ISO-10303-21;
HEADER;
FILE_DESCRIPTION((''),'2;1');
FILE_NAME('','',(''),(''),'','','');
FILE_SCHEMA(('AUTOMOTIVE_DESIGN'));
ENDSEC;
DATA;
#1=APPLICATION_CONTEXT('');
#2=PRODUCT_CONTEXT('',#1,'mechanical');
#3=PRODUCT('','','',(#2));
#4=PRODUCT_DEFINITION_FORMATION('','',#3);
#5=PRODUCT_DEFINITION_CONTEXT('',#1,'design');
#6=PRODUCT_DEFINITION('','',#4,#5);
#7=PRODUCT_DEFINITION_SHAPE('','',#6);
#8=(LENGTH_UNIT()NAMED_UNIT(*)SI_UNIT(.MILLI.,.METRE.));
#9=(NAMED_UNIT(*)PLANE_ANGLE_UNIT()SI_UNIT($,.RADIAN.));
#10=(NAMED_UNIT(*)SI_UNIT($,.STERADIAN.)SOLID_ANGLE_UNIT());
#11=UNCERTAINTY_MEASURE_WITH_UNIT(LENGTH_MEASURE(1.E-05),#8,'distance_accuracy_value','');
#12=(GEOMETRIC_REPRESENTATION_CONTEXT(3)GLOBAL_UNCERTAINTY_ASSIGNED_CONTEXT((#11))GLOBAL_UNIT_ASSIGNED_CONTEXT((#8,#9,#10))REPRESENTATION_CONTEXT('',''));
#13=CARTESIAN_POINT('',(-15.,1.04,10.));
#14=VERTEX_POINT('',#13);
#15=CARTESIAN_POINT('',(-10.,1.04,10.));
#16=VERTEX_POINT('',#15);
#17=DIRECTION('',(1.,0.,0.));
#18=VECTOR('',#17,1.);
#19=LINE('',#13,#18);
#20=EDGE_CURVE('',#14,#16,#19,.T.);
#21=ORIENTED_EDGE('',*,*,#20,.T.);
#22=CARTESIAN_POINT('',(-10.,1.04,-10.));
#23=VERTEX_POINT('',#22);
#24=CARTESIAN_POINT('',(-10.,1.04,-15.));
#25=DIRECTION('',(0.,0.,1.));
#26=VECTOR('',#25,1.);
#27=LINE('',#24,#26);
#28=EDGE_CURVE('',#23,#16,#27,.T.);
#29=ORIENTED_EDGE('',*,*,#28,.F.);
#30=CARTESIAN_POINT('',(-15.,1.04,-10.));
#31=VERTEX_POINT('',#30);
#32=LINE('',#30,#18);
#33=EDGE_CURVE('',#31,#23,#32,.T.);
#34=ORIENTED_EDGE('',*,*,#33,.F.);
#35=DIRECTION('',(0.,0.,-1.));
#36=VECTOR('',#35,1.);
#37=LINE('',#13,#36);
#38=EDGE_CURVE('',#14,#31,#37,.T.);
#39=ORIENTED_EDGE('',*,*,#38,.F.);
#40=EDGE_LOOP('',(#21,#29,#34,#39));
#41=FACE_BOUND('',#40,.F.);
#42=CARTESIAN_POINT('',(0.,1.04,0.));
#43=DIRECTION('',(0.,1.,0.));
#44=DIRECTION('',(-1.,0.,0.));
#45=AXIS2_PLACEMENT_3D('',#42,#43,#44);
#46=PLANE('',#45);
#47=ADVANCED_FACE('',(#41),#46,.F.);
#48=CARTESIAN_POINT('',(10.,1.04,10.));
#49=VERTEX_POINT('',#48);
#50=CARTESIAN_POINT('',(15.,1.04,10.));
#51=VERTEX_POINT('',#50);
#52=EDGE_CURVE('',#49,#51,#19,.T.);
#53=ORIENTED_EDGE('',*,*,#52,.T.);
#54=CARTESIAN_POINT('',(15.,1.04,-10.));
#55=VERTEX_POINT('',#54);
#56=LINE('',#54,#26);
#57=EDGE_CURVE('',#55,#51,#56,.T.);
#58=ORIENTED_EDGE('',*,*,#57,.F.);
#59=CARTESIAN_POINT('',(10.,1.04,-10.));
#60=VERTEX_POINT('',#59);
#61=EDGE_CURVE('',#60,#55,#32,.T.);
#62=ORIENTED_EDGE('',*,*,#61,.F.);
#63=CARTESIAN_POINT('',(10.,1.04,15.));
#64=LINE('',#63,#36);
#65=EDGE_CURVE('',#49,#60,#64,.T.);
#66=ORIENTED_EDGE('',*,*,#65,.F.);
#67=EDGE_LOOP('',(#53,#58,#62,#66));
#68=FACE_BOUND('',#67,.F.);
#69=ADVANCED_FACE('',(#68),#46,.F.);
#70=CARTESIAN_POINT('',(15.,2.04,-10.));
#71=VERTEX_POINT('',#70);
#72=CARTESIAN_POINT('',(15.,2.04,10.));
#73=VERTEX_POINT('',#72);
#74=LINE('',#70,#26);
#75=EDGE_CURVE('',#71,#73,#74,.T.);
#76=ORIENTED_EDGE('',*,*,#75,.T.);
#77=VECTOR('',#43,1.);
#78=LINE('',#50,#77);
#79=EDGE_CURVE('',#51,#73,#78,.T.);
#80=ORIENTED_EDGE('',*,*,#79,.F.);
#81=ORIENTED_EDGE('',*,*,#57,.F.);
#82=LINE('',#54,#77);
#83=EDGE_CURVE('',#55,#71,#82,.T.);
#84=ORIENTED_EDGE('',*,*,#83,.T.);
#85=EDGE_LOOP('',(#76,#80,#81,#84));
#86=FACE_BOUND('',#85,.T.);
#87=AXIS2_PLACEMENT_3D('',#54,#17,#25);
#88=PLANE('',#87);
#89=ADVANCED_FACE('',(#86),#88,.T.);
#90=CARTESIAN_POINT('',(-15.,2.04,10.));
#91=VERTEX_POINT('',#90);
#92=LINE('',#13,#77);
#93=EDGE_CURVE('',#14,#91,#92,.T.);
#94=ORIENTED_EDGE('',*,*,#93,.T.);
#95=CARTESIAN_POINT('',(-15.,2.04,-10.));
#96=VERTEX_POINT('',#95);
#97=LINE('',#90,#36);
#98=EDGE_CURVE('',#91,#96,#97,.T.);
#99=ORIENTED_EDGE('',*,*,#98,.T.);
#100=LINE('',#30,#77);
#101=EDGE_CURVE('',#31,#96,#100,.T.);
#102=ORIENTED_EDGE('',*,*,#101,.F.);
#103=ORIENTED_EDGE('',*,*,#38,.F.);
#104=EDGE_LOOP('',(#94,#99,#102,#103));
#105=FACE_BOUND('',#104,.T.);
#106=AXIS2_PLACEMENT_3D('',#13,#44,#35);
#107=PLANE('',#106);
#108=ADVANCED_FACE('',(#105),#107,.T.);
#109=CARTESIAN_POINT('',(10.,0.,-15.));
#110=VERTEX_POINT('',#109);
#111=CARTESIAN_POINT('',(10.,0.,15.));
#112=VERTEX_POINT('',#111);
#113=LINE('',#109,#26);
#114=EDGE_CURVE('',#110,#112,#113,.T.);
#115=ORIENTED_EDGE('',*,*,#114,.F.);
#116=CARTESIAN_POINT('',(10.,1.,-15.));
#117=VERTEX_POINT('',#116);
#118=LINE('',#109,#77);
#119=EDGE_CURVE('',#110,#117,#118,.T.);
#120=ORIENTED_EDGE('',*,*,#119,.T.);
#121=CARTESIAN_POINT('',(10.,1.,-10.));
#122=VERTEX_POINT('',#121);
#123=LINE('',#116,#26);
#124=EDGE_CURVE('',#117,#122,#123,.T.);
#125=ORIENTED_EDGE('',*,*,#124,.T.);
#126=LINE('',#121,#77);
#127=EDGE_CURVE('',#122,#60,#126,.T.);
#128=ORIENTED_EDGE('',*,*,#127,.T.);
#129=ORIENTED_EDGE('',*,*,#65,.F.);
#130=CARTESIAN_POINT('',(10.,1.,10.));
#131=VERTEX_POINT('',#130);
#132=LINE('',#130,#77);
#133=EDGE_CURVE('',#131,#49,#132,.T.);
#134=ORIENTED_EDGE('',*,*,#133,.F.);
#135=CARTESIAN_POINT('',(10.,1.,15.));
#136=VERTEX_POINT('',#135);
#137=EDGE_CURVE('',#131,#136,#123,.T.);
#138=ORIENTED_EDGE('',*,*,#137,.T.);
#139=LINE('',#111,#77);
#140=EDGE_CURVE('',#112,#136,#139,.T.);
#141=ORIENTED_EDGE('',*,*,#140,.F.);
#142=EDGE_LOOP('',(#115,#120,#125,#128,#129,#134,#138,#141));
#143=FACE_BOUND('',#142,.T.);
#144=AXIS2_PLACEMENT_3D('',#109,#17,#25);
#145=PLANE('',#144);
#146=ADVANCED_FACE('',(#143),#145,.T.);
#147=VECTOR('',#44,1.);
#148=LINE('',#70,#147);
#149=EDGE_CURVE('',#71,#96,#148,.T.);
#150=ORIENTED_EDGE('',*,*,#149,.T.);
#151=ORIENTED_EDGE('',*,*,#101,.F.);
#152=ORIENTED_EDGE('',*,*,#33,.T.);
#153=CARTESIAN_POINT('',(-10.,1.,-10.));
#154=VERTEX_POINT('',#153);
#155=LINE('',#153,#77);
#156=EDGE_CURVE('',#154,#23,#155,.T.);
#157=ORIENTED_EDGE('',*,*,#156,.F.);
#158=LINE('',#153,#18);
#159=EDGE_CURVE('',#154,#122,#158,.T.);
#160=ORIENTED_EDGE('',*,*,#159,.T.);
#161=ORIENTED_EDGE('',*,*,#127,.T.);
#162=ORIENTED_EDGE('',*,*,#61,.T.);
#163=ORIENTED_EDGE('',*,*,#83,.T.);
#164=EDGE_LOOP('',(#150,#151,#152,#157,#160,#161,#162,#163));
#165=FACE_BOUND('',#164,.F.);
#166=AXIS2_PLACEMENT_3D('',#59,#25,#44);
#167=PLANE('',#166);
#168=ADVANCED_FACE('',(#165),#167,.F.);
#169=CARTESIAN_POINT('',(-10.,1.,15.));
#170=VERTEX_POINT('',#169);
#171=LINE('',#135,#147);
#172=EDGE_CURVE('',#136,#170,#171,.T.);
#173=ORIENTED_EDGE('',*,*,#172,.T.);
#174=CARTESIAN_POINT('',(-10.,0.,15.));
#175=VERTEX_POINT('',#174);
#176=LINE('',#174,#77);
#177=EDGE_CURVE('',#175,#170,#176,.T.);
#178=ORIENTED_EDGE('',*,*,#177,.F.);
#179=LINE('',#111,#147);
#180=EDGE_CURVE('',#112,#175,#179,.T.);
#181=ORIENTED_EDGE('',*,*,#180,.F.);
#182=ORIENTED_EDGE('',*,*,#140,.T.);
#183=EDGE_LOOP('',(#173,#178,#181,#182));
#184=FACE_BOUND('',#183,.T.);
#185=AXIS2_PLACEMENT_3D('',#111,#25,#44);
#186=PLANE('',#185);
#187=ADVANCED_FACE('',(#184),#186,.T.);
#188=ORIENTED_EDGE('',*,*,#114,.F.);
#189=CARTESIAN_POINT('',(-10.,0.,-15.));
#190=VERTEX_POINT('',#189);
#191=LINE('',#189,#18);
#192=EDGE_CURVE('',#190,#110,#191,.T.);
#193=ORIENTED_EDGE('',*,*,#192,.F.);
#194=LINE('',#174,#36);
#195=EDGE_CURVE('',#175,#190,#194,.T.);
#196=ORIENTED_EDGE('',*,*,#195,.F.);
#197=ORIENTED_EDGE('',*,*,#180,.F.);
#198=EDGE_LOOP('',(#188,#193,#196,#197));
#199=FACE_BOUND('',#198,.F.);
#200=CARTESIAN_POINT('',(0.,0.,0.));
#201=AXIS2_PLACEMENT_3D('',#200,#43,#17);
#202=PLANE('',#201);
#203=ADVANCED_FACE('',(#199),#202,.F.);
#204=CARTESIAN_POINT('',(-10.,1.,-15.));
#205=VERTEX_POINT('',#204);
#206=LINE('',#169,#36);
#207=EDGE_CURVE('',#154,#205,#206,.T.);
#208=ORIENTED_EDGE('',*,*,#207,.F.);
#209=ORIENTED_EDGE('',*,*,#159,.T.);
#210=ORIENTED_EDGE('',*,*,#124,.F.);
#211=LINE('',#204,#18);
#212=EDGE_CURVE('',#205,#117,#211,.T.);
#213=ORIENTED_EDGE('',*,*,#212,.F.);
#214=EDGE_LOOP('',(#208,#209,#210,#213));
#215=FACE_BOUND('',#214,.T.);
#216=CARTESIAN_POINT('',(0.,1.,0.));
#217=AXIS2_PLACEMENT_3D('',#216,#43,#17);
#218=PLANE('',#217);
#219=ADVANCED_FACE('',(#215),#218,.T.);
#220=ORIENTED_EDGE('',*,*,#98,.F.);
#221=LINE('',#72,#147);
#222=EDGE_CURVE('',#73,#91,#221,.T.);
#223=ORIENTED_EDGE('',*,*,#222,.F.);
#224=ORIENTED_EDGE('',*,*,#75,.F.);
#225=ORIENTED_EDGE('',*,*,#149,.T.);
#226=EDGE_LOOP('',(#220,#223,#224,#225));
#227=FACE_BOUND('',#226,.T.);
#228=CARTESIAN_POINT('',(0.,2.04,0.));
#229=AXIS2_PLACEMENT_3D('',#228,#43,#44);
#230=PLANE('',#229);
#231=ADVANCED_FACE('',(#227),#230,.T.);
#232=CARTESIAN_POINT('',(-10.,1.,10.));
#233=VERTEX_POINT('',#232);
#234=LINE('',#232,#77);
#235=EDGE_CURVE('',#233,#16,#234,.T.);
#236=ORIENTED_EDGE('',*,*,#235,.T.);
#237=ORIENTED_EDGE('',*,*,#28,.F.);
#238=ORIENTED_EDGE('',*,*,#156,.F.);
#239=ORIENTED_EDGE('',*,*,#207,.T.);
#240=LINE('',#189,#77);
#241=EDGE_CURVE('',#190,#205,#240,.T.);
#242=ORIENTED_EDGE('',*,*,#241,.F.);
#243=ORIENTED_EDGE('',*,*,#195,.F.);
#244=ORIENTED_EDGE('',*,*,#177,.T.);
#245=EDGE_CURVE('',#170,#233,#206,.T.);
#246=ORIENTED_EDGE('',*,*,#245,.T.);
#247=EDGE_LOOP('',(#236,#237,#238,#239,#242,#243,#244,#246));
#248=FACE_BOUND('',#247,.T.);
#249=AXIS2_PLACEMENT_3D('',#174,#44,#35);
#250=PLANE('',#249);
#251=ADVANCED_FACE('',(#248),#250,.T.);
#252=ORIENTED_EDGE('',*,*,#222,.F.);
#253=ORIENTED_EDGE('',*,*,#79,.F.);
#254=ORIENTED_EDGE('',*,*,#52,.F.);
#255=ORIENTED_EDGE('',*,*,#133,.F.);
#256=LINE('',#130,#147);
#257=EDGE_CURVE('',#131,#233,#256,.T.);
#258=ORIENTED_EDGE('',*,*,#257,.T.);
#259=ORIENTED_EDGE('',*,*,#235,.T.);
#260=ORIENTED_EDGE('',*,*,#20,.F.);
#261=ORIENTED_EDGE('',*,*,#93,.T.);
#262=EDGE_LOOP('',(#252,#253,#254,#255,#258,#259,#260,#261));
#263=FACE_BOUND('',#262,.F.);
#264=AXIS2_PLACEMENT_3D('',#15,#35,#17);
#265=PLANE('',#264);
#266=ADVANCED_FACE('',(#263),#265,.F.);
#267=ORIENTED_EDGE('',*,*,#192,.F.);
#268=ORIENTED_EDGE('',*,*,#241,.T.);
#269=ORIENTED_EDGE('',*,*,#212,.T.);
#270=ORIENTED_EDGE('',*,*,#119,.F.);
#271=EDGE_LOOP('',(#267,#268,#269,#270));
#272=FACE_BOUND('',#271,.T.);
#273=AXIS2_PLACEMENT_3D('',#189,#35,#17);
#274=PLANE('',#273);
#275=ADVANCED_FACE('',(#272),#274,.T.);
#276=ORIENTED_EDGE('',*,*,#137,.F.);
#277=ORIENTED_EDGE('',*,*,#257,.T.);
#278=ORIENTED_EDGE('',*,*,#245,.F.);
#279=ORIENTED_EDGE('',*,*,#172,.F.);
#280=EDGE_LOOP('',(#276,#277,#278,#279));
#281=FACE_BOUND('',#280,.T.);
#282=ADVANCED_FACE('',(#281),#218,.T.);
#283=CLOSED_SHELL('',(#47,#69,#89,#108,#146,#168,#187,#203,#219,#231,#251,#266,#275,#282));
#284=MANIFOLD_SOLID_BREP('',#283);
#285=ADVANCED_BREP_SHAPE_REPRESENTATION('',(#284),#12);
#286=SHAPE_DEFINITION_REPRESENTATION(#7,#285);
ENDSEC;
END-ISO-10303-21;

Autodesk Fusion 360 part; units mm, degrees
sketch "Sketch1" plane through (0, 0, 0) normal (0, 1, 0) x (1, 0, 0)
  line L0 (10, -15) -> (-10, -15)
  line L1 (-10, -15) -> (-10, 15)
  line L2 (-10, 15) -> (10, 15)
  line L3 (10, 15) -> (10, -15)
  line L4 (10, -15) -> (-10, 15) construction
  line L5 (-10, -15) -> (10, 15) construction
  dimension "d1" = 20
  dimension "d2" = 30
extrude "Extrude1" add sketch "Sketch1" along normal blind 1
sketch "Sketch2" plane through (0, 1, 0) normal (0, 1, 0) x (-1, 0, 0)
  line L0 (-10, -15) -> (10, -15)
  line L1 (10, -15) -> (10, 15)
  line L2 (10, 15) -> (-10, 15)
  line L3 (-10, 15) -> (-10, -15)
  line L4 (-10, 10) -> (10, 10)
  line L5 (10, 10) -> (10, -10)
  line L6 (10, -10) -> (-10, -10)
  line L7 (-10, -10) -> (-10, 10)
  line L8 (-10, 10) -> (10, -10) construction
  line L9 (10, 10) -> (-10, -10) construction
  dimension "d5" = 20
extrude "Extrude2" add sketch "Sketch2" along normal blind 0.04 contours L1 L3 L4 L5 L6 L7
sketch "Sketch3" plane through (0, 1.04, 0) normal (0, 1, 0) x (-1, 0, 0)
  line L0 (-10, -10) -> (10, -10)
  line L1 (10, -10) -> (10, 10)
  line L2 (10, 10) -> (-10, 10)
  line L3 (-10, 10) -> (-10, -10)
  line L4 (-15, 10) -> (15, 10)
  line L5 (15, 10) -> (15, -10)
  line L6 (15, -10) -> (-15, -10)
  line L7 (-15, -10) -> (-15, 10)
  line L8 (-15, 10) -> (15, -10) construction
  line L9 (15, 10) -> (-15, -10) construction
  dimension "d8" = 30
  dimension "d9" = 20
extrude "Extrude3" add sketch "Sketch3" along normal blind 1
